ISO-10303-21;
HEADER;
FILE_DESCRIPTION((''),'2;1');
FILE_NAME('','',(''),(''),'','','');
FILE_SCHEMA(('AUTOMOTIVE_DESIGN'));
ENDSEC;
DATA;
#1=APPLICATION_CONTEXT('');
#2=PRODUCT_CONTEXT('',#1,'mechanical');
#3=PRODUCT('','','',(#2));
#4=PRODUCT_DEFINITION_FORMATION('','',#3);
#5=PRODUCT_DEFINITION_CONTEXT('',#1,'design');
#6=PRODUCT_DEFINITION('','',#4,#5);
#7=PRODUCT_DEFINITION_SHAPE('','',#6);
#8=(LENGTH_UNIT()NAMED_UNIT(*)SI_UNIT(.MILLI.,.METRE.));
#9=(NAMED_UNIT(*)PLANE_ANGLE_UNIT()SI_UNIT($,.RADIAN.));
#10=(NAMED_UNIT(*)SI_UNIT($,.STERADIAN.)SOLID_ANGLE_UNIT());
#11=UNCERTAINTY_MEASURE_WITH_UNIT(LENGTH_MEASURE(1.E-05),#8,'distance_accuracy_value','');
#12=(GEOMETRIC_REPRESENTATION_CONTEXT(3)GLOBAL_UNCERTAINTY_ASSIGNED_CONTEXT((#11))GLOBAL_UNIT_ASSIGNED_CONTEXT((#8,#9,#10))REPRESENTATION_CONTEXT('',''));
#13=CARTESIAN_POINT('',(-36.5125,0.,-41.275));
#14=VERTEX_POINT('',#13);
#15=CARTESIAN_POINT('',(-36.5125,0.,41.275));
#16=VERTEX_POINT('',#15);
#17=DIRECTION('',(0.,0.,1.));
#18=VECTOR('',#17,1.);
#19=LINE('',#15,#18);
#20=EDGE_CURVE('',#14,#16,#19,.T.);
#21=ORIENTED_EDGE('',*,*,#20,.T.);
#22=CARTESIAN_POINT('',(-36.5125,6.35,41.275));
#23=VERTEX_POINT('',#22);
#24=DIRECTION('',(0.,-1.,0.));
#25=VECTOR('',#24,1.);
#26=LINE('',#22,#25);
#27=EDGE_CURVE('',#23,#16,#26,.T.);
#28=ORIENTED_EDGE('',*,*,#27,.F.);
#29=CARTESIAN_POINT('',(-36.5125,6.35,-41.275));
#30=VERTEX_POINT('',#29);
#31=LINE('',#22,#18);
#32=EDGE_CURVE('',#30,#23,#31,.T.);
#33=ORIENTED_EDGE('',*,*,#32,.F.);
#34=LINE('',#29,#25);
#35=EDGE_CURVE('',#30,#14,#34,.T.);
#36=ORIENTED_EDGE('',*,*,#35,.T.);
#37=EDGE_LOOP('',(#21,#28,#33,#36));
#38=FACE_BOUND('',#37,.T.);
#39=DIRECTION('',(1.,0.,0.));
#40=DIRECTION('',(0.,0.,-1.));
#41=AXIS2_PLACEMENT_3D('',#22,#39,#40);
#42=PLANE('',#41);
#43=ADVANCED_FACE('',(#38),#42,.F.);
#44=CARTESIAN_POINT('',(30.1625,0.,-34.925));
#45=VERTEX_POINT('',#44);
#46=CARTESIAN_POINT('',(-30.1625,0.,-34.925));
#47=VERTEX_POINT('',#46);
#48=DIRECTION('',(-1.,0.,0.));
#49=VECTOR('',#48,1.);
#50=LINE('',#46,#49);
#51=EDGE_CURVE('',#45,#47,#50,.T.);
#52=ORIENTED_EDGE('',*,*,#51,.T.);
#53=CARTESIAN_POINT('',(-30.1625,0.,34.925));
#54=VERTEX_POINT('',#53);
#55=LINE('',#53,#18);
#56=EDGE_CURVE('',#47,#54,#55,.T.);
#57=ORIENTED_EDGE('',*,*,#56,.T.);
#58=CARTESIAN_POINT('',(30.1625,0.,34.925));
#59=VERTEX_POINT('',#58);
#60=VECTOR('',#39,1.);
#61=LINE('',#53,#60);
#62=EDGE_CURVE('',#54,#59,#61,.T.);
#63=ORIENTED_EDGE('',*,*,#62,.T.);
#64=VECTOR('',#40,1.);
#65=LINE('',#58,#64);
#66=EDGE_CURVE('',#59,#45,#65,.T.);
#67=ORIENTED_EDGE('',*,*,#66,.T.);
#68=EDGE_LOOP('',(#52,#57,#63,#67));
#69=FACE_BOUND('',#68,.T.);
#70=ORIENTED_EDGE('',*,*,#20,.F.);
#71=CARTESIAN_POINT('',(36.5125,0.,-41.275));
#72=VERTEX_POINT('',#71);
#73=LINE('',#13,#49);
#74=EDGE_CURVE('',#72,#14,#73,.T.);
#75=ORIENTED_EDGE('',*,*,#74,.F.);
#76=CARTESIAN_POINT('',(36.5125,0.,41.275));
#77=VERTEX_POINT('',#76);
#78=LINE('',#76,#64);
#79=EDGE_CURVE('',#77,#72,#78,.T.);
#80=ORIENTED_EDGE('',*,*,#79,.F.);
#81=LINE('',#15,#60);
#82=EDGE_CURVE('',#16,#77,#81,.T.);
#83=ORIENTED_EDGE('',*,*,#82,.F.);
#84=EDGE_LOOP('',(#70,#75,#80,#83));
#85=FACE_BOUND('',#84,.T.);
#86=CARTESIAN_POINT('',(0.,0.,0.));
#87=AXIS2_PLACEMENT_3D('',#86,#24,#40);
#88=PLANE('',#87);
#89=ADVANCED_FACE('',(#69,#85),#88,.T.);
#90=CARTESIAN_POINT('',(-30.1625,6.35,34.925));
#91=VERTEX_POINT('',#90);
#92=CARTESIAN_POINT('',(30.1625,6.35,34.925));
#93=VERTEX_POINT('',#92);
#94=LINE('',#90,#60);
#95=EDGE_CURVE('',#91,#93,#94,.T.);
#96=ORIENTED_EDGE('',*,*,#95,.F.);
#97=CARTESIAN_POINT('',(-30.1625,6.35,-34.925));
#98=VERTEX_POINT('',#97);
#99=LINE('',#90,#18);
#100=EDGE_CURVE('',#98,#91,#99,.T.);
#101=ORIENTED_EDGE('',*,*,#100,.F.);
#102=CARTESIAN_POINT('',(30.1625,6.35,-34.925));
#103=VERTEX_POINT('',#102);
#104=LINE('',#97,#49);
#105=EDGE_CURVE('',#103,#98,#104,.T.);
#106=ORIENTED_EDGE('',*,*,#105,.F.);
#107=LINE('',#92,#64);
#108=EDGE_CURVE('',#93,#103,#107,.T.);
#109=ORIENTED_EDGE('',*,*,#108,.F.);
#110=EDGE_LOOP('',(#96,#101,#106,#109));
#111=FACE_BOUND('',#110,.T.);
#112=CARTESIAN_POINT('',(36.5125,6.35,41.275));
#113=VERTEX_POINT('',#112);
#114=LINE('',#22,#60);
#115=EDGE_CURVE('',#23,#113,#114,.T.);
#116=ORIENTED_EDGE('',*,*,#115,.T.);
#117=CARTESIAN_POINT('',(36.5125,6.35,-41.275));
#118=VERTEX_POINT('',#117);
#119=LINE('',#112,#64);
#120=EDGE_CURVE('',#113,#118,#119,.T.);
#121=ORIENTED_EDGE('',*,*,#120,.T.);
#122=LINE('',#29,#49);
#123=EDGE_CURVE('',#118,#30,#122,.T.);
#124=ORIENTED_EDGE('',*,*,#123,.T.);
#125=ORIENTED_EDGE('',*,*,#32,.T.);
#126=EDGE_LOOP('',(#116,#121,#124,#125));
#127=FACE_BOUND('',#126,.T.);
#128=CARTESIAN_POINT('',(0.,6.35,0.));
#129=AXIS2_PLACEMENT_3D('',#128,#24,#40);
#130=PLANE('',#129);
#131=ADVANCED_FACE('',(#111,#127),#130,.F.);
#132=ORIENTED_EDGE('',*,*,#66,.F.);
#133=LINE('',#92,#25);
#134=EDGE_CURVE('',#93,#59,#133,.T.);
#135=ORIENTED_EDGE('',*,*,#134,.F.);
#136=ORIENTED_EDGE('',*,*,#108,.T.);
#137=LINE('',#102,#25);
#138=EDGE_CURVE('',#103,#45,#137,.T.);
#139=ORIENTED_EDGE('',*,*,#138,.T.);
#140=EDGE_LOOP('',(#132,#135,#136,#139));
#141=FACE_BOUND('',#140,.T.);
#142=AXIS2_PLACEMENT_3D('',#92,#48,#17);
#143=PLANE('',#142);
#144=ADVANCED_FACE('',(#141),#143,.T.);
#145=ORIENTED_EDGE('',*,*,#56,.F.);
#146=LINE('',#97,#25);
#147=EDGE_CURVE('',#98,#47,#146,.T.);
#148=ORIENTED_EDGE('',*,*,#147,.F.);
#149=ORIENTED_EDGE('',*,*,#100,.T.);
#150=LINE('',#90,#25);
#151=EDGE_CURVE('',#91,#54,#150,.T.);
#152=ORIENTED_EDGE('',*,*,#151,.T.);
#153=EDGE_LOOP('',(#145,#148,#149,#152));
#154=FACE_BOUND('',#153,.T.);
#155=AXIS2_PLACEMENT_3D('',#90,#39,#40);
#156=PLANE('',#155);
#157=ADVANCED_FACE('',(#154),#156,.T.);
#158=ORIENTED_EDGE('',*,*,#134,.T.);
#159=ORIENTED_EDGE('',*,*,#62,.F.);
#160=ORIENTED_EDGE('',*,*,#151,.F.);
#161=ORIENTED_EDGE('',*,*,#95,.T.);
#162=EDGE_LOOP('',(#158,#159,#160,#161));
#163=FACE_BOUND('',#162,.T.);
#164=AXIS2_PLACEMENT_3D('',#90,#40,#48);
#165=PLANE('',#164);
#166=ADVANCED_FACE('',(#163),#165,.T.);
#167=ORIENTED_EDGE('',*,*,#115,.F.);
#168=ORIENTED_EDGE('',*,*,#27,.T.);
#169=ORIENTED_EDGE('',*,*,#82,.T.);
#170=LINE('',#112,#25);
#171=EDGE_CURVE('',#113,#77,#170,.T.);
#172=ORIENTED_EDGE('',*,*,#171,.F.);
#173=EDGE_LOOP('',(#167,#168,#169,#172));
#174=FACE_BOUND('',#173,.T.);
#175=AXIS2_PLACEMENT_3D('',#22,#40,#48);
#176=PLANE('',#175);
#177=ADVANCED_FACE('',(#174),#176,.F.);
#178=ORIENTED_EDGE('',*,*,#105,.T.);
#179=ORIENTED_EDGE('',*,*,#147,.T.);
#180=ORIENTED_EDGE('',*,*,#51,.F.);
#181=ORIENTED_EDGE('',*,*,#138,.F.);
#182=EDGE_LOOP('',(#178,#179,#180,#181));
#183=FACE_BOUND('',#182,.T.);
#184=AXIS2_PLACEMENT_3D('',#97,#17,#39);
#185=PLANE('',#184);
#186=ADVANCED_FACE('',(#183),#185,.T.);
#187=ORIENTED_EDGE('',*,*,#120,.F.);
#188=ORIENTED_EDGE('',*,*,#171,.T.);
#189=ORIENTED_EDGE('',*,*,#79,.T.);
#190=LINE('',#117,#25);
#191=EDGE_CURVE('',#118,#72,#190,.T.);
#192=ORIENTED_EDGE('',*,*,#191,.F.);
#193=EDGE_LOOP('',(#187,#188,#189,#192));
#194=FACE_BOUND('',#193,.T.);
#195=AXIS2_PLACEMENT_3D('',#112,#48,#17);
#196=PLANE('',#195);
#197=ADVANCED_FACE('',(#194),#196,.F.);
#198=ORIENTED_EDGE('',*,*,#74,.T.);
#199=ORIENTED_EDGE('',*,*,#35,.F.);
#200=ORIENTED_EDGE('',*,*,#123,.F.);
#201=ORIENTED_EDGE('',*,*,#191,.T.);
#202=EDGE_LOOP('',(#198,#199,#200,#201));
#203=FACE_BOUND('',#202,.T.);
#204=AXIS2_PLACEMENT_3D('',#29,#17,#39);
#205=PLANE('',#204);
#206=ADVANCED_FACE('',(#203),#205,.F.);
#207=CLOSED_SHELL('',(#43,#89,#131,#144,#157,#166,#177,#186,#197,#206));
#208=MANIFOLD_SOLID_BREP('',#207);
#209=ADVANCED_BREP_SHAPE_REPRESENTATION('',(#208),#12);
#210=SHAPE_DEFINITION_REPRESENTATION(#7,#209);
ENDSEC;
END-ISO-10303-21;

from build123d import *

# Parameters (mm, degrees)
SKETCH1_W           = 73.025
SKETCH1_H           = 82.55
SKETCH1_W_2         = 60.325
SKETCH1_H_2         = 69.85
BOSS_EXTRUDE1_DEPTH = 6.35


with BuildPart() as part:
    # Sketch1 → Boss-Extrude1 (new body)
    with BuildSketch(Plane(origin=(0, 0, 0), x_dir=(1, 0, 0), z_dir=(0, 1, 0))):
        Rectangle(SKETCH1_W, SKETCH1_H)
        Rectangle(SKETCH1_W_2, SKETCH1_H_2, mode=Mode.SUBTRACT)
    extrude(amount=BOSS_EXTRUDE1_DEPTH)


solid = part.part
